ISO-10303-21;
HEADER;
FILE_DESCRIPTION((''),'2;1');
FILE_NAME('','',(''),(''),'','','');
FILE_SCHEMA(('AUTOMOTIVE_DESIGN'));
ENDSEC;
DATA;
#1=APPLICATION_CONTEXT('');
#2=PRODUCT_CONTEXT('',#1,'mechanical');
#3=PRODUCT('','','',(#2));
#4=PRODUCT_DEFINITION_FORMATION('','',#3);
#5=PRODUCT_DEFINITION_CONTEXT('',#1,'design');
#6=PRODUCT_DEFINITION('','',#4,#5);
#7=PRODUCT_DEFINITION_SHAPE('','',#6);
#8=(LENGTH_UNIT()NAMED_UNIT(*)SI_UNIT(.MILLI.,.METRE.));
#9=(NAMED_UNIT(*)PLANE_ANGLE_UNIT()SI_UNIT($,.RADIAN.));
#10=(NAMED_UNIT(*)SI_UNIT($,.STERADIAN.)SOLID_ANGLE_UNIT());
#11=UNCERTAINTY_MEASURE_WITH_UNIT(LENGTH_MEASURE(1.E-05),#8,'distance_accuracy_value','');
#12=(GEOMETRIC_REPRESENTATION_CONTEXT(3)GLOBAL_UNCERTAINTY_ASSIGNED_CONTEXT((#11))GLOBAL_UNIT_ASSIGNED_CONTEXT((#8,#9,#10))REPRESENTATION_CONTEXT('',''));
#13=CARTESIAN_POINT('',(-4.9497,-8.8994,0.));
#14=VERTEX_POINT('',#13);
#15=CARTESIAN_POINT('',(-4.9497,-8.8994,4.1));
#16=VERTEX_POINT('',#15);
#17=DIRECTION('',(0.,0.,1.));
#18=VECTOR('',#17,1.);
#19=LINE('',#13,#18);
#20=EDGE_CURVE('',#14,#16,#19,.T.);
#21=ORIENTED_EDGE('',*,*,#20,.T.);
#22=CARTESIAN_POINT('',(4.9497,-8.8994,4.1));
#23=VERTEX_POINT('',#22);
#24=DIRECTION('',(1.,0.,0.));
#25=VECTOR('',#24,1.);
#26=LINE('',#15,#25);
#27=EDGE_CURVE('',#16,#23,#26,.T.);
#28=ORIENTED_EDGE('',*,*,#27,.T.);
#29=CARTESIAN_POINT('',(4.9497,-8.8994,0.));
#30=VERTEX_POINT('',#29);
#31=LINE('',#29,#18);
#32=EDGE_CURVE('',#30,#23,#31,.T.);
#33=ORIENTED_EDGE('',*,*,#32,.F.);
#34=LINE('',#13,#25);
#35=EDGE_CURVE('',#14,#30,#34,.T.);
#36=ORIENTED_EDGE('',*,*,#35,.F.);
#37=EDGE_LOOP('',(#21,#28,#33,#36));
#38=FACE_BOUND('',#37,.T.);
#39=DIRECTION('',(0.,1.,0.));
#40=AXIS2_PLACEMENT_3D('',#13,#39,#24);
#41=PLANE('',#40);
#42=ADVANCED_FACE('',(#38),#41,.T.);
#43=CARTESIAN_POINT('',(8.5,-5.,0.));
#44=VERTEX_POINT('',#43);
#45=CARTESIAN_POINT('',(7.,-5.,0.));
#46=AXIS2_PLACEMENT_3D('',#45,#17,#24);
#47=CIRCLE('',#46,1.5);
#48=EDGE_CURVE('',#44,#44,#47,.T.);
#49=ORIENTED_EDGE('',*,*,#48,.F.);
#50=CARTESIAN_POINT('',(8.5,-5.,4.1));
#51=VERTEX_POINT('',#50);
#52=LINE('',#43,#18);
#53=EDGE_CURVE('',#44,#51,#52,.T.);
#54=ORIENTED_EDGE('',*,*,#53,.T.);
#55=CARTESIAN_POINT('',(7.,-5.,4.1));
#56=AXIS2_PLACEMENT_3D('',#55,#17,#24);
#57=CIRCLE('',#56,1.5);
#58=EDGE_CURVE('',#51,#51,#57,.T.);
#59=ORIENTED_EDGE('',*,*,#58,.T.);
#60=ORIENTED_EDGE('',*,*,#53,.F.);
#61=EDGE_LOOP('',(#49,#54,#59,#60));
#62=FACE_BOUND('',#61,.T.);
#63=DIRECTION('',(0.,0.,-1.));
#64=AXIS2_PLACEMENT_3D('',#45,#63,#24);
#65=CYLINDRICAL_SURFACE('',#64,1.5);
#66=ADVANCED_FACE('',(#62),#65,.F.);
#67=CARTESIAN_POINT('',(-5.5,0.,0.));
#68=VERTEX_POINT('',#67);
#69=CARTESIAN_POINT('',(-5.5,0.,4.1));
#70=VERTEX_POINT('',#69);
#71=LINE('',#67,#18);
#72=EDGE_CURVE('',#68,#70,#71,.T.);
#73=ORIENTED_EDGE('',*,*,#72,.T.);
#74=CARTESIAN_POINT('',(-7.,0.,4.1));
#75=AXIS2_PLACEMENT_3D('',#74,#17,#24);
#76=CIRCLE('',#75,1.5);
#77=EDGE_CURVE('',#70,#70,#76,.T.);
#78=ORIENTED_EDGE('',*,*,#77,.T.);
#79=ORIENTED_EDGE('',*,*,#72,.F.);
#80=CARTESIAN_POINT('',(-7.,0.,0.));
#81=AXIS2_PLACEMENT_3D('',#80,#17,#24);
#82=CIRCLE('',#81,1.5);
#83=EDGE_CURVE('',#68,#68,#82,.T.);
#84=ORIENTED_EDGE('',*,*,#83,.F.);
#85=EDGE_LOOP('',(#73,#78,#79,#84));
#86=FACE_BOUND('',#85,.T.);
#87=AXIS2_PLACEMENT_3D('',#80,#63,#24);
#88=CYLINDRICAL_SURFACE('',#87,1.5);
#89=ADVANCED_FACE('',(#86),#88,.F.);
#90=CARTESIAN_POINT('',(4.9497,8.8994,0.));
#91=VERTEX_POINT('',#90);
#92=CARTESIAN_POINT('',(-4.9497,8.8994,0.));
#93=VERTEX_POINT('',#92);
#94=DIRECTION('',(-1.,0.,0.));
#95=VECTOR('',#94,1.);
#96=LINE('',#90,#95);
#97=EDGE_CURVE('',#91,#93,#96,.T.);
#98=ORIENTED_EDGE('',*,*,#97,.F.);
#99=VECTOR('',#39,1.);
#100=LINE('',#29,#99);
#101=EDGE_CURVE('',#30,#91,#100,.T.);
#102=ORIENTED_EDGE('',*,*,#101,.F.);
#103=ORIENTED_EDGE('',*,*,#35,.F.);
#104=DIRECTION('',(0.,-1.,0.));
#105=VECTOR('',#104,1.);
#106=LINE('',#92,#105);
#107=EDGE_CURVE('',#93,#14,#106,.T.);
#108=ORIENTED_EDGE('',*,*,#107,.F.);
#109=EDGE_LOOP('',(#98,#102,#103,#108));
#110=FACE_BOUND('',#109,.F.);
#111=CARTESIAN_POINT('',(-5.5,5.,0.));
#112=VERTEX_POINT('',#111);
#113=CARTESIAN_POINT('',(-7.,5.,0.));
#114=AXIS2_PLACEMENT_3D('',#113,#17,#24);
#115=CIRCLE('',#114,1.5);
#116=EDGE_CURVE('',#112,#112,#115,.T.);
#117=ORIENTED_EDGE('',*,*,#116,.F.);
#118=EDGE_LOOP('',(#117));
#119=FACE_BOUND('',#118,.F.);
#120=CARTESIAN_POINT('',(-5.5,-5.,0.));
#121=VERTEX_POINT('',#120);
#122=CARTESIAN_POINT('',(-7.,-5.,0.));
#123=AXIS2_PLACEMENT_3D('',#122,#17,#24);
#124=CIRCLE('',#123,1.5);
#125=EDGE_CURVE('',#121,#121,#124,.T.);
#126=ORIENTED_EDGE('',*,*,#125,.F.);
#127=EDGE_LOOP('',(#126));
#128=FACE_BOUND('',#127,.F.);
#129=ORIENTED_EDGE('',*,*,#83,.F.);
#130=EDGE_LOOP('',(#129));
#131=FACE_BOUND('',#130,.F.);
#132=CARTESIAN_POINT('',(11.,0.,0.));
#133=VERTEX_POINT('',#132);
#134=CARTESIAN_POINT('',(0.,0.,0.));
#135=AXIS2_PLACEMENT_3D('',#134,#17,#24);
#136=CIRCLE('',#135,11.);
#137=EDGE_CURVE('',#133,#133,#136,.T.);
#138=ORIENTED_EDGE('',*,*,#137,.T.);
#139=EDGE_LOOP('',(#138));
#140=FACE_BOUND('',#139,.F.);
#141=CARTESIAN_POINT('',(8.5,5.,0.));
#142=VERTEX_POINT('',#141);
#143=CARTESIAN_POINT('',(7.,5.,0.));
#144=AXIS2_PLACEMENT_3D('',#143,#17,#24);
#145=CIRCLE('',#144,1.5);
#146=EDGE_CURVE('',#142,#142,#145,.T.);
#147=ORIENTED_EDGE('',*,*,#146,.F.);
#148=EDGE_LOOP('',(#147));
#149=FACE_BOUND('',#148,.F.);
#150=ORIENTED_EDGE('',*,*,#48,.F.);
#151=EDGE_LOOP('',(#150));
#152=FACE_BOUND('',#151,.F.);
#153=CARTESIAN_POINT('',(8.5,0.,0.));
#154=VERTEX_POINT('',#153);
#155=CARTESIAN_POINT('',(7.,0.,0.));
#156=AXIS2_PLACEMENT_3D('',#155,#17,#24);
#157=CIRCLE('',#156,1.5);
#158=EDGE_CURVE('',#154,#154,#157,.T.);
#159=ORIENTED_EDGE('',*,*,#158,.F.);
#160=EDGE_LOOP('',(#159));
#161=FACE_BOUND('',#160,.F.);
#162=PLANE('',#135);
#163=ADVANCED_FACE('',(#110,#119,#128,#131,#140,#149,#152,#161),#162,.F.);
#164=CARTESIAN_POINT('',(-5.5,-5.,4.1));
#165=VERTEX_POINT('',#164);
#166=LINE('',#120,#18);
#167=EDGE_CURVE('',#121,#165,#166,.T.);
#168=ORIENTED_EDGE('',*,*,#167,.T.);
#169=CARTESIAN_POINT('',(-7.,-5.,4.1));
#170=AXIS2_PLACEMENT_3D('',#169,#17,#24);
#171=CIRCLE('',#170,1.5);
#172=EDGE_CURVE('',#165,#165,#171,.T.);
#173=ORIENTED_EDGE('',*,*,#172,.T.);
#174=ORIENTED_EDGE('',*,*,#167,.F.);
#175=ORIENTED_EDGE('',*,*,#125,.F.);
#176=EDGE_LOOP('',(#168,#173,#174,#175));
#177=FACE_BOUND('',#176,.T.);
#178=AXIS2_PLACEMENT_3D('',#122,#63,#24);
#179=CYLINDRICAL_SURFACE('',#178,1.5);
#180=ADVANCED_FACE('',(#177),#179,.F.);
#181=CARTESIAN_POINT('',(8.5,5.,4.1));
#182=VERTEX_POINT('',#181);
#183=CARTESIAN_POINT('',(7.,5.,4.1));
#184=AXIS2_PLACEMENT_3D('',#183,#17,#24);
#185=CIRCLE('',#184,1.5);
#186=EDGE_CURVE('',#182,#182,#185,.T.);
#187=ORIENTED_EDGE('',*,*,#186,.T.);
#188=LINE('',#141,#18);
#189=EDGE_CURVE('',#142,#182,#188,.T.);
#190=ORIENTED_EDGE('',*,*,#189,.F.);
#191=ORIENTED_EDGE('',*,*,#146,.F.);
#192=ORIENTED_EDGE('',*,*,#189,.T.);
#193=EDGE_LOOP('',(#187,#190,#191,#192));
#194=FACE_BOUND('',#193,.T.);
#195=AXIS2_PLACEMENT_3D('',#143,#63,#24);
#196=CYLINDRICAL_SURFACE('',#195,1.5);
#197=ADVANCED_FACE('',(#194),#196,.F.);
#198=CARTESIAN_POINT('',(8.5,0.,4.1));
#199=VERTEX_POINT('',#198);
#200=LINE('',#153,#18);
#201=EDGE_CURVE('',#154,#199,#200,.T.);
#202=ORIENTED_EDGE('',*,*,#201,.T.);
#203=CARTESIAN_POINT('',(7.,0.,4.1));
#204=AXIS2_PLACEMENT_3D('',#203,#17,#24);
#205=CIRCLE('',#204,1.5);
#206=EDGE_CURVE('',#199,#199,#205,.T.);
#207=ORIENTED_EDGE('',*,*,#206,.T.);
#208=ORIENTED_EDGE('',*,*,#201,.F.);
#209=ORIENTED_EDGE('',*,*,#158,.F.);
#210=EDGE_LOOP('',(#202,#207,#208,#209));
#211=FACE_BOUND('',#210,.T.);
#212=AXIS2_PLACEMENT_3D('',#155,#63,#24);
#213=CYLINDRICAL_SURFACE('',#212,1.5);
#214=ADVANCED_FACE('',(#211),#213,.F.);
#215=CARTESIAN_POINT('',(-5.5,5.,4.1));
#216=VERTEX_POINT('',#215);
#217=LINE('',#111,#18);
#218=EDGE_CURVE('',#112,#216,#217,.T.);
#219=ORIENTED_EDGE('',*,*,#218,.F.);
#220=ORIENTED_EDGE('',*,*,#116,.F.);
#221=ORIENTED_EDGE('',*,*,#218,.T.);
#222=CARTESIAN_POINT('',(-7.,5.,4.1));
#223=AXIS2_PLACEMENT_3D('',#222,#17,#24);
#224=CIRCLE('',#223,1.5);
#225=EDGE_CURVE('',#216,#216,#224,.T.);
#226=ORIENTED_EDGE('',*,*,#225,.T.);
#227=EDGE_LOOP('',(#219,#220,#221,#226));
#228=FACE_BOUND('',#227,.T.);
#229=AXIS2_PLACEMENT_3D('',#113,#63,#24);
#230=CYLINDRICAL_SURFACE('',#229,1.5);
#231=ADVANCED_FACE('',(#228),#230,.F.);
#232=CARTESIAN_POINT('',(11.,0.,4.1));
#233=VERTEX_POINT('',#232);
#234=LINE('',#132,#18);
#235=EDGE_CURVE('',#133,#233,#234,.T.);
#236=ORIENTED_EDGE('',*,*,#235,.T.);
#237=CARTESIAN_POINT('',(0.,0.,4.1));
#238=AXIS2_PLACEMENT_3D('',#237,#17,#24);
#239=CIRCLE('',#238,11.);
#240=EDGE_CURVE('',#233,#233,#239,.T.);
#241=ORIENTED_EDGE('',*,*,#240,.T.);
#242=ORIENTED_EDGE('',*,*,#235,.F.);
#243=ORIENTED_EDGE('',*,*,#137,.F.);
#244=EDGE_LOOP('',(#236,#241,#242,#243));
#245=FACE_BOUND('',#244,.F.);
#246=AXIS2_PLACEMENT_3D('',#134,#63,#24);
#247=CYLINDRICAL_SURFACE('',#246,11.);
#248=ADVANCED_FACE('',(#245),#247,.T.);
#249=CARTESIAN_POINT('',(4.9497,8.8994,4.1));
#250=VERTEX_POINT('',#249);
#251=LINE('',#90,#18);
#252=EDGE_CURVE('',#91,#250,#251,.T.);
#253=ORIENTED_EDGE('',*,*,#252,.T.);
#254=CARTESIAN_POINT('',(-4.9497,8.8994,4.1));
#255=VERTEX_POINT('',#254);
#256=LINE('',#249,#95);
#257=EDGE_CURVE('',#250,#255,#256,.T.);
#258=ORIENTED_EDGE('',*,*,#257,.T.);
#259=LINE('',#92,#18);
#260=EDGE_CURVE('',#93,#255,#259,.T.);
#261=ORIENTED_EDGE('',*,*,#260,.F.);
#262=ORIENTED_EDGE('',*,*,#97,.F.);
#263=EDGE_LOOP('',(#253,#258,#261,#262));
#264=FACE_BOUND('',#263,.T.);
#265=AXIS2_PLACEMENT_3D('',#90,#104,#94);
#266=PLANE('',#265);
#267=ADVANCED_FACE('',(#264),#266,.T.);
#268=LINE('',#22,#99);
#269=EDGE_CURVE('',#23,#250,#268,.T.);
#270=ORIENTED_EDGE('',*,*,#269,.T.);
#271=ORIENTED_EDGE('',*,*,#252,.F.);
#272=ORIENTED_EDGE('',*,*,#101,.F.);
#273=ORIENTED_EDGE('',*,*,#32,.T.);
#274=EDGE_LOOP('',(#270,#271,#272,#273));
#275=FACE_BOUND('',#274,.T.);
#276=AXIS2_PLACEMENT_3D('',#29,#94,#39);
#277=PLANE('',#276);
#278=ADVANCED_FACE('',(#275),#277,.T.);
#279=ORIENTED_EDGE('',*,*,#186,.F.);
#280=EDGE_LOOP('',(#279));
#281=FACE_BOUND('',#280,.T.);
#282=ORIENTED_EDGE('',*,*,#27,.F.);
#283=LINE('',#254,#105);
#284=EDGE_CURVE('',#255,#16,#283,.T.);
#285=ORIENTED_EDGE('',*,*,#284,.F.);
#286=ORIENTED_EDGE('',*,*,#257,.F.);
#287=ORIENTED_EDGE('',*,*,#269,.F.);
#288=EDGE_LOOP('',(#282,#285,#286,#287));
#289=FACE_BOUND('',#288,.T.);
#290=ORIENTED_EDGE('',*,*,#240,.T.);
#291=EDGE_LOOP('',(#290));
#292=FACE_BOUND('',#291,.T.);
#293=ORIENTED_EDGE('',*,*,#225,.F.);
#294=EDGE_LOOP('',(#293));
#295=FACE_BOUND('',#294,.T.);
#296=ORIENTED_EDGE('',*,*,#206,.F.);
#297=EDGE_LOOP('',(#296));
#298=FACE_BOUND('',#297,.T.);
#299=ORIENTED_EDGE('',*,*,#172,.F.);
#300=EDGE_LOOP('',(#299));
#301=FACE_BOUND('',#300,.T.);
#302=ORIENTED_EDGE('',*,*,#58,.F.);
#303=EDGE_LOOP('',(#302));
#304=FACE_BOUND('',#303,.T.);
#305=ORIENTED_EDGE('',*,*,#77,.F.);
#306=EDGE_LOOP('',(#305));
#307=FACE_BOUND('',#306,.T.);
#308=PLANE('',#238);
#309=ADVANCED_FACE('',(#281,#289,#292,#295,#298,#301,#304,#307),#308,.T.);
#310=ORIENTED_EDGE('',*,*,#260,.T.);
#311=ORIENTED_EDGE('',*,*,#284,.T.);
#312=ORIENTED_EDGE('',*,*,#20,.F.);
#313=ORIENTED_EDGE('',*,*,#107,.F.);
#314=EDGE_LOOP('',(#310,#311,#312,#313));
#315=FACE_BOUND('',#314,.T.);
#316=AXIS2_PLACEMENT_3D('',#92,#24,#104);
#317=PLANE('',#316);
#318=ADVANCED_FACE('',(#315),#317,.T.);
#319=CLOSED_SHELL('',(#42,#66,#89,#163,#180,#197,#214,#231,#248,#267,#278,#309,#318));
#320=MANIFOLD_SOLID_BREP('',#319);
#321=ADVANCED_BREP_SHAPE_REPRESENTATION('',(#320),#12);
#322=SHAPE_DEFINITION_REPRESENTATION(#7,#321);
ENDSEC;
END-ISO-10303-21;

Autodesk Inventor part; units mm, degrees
ref_plane "YZ Plane" through (0, 0, 0) normal (1, 0, 0) x (0, 1, 0)
ref_plane "XZ Plane" through (0, 0, 0) normal (0, 1, 0) x (-1, 0, 0)
ref_plane "XY Plane" through (0, 0, 0) normal (0, 0, 1) x (1, 0, 0)
sketch "Sketch3" plane through (0, 0, 0) normal (0, 0, 1) x (1, 0, 0)
  line L0 (-15.8918, -16.7) -> (15.8918, -16.7)
  line L1 (16.7, -15.7) -> (16.7, 15.7)
  line L2 (15.8918, 16.7) -> (-15.8918, 16.7)
  line L3 (-16.7, 15.7) -> (-16.7, -15.7)
  line L4 (-15.8918, 16.7) -> (-16.7, 15.7)
  line L5 (15.8918, 16.7) -> (16.7, 15.7)
  line L6 (16.7, -15.7) -> (15.8918, -16.7)
  line L7 (-16.7, -15.7) -> (-15.8918, -16.7)
  line L8 (-4.9497, -8.8994) -> (4.9497, -8.8994)
  line L9 (4.9497, -8.8994) -> (4.9497, 8.8994)
  line L10 (4.9497, 8.8994) -> (-4.9497, 8.8994)
  line L11 (-4.9497, 8.8994) -> (-4.9497, -8.8994)
  circle A0 centre (-12.14, 12.625) radius 2.045
  circle A1 centre (12.14, 12.625) radius 2.045
  line L12 (0, -16.7) -> (0, 16.7) construction
  circle A2 centre (-12.14, -12.625) radius 2.045
  circle A3 centre (12.14, -12.625) radius 2.045
  line L13 (12.14, 12.625) -> (-12.14, 12.625) construction
  line L14 (-12.14, 12.625) -> (-12.14, -12.625) construction
  line L15 (-12.14, -12.625) -> (12.14, -12.625) construction
  line L16 (12.14, -12.625) -> (12.14, 12.625) construction
  line L17 (-16.7, 0) -> (16.7, 0) construction
  circle A4 centre (0, 0) radius 18.4 construction
  circle A5 centre (-7, 0) radius 1.5
  circle A6 centre (7, 0) radius 1.5
  circle A7 centre (-7, 5) radius 1.5
  circle A8 centre (7, 5) radius 1.5
  circle A9 centre (-7, -5) radius 1.5
  circle A10 centre (7, -5) radius 1.5
  dimension "d10" = 9.8994
  dimension "d11" = 17.7988
  dimension "d12" = 4.09
  dimension "d13" = 4.09
  dimension "d17" = 4.09
  dimension "d19" = 24.28
  dimension "d20" = 25.25
  dimension "d21" = 4.09
  dimension "d22" = 12.625
  dimension "d26" = 36.8
  dimension "d38" = 12.14
  dimension "d39" = 33.4
  dimension "d40" = 33.4
  dimension "d41" = 3
  dimension "d42" = 3
  dimension "d43" = 7
  dimension "d44" = 7
  dimension "d45" = 3
  dimension "d46" = 3
  dimension "d47" = 3
  dimension "d48" = 3
  dimension "d49" = 5
  dimension "d50" = 5
  dimension "d51" = 5
  dimension "d52" = 5
  dimension "d57" = 8.8994
  dimension "d58" = 4.9497
sketch "Sketch4" plane through (0, 0, 0) normal (0, 0, 1) x (1, 0, 0)
  circle A0 centre (0, 0) radius 11
  dimension "d32" = 22
extrude "Extrusion5" add sketch "Sketch3" along normal blind 4.1
extrude "Extrusion6" cut sketch "Sketch4" along normal blind 4.1 keep common part
properties part number "WG18FLANGECutDown" material "Brass, Soft Yellow"
